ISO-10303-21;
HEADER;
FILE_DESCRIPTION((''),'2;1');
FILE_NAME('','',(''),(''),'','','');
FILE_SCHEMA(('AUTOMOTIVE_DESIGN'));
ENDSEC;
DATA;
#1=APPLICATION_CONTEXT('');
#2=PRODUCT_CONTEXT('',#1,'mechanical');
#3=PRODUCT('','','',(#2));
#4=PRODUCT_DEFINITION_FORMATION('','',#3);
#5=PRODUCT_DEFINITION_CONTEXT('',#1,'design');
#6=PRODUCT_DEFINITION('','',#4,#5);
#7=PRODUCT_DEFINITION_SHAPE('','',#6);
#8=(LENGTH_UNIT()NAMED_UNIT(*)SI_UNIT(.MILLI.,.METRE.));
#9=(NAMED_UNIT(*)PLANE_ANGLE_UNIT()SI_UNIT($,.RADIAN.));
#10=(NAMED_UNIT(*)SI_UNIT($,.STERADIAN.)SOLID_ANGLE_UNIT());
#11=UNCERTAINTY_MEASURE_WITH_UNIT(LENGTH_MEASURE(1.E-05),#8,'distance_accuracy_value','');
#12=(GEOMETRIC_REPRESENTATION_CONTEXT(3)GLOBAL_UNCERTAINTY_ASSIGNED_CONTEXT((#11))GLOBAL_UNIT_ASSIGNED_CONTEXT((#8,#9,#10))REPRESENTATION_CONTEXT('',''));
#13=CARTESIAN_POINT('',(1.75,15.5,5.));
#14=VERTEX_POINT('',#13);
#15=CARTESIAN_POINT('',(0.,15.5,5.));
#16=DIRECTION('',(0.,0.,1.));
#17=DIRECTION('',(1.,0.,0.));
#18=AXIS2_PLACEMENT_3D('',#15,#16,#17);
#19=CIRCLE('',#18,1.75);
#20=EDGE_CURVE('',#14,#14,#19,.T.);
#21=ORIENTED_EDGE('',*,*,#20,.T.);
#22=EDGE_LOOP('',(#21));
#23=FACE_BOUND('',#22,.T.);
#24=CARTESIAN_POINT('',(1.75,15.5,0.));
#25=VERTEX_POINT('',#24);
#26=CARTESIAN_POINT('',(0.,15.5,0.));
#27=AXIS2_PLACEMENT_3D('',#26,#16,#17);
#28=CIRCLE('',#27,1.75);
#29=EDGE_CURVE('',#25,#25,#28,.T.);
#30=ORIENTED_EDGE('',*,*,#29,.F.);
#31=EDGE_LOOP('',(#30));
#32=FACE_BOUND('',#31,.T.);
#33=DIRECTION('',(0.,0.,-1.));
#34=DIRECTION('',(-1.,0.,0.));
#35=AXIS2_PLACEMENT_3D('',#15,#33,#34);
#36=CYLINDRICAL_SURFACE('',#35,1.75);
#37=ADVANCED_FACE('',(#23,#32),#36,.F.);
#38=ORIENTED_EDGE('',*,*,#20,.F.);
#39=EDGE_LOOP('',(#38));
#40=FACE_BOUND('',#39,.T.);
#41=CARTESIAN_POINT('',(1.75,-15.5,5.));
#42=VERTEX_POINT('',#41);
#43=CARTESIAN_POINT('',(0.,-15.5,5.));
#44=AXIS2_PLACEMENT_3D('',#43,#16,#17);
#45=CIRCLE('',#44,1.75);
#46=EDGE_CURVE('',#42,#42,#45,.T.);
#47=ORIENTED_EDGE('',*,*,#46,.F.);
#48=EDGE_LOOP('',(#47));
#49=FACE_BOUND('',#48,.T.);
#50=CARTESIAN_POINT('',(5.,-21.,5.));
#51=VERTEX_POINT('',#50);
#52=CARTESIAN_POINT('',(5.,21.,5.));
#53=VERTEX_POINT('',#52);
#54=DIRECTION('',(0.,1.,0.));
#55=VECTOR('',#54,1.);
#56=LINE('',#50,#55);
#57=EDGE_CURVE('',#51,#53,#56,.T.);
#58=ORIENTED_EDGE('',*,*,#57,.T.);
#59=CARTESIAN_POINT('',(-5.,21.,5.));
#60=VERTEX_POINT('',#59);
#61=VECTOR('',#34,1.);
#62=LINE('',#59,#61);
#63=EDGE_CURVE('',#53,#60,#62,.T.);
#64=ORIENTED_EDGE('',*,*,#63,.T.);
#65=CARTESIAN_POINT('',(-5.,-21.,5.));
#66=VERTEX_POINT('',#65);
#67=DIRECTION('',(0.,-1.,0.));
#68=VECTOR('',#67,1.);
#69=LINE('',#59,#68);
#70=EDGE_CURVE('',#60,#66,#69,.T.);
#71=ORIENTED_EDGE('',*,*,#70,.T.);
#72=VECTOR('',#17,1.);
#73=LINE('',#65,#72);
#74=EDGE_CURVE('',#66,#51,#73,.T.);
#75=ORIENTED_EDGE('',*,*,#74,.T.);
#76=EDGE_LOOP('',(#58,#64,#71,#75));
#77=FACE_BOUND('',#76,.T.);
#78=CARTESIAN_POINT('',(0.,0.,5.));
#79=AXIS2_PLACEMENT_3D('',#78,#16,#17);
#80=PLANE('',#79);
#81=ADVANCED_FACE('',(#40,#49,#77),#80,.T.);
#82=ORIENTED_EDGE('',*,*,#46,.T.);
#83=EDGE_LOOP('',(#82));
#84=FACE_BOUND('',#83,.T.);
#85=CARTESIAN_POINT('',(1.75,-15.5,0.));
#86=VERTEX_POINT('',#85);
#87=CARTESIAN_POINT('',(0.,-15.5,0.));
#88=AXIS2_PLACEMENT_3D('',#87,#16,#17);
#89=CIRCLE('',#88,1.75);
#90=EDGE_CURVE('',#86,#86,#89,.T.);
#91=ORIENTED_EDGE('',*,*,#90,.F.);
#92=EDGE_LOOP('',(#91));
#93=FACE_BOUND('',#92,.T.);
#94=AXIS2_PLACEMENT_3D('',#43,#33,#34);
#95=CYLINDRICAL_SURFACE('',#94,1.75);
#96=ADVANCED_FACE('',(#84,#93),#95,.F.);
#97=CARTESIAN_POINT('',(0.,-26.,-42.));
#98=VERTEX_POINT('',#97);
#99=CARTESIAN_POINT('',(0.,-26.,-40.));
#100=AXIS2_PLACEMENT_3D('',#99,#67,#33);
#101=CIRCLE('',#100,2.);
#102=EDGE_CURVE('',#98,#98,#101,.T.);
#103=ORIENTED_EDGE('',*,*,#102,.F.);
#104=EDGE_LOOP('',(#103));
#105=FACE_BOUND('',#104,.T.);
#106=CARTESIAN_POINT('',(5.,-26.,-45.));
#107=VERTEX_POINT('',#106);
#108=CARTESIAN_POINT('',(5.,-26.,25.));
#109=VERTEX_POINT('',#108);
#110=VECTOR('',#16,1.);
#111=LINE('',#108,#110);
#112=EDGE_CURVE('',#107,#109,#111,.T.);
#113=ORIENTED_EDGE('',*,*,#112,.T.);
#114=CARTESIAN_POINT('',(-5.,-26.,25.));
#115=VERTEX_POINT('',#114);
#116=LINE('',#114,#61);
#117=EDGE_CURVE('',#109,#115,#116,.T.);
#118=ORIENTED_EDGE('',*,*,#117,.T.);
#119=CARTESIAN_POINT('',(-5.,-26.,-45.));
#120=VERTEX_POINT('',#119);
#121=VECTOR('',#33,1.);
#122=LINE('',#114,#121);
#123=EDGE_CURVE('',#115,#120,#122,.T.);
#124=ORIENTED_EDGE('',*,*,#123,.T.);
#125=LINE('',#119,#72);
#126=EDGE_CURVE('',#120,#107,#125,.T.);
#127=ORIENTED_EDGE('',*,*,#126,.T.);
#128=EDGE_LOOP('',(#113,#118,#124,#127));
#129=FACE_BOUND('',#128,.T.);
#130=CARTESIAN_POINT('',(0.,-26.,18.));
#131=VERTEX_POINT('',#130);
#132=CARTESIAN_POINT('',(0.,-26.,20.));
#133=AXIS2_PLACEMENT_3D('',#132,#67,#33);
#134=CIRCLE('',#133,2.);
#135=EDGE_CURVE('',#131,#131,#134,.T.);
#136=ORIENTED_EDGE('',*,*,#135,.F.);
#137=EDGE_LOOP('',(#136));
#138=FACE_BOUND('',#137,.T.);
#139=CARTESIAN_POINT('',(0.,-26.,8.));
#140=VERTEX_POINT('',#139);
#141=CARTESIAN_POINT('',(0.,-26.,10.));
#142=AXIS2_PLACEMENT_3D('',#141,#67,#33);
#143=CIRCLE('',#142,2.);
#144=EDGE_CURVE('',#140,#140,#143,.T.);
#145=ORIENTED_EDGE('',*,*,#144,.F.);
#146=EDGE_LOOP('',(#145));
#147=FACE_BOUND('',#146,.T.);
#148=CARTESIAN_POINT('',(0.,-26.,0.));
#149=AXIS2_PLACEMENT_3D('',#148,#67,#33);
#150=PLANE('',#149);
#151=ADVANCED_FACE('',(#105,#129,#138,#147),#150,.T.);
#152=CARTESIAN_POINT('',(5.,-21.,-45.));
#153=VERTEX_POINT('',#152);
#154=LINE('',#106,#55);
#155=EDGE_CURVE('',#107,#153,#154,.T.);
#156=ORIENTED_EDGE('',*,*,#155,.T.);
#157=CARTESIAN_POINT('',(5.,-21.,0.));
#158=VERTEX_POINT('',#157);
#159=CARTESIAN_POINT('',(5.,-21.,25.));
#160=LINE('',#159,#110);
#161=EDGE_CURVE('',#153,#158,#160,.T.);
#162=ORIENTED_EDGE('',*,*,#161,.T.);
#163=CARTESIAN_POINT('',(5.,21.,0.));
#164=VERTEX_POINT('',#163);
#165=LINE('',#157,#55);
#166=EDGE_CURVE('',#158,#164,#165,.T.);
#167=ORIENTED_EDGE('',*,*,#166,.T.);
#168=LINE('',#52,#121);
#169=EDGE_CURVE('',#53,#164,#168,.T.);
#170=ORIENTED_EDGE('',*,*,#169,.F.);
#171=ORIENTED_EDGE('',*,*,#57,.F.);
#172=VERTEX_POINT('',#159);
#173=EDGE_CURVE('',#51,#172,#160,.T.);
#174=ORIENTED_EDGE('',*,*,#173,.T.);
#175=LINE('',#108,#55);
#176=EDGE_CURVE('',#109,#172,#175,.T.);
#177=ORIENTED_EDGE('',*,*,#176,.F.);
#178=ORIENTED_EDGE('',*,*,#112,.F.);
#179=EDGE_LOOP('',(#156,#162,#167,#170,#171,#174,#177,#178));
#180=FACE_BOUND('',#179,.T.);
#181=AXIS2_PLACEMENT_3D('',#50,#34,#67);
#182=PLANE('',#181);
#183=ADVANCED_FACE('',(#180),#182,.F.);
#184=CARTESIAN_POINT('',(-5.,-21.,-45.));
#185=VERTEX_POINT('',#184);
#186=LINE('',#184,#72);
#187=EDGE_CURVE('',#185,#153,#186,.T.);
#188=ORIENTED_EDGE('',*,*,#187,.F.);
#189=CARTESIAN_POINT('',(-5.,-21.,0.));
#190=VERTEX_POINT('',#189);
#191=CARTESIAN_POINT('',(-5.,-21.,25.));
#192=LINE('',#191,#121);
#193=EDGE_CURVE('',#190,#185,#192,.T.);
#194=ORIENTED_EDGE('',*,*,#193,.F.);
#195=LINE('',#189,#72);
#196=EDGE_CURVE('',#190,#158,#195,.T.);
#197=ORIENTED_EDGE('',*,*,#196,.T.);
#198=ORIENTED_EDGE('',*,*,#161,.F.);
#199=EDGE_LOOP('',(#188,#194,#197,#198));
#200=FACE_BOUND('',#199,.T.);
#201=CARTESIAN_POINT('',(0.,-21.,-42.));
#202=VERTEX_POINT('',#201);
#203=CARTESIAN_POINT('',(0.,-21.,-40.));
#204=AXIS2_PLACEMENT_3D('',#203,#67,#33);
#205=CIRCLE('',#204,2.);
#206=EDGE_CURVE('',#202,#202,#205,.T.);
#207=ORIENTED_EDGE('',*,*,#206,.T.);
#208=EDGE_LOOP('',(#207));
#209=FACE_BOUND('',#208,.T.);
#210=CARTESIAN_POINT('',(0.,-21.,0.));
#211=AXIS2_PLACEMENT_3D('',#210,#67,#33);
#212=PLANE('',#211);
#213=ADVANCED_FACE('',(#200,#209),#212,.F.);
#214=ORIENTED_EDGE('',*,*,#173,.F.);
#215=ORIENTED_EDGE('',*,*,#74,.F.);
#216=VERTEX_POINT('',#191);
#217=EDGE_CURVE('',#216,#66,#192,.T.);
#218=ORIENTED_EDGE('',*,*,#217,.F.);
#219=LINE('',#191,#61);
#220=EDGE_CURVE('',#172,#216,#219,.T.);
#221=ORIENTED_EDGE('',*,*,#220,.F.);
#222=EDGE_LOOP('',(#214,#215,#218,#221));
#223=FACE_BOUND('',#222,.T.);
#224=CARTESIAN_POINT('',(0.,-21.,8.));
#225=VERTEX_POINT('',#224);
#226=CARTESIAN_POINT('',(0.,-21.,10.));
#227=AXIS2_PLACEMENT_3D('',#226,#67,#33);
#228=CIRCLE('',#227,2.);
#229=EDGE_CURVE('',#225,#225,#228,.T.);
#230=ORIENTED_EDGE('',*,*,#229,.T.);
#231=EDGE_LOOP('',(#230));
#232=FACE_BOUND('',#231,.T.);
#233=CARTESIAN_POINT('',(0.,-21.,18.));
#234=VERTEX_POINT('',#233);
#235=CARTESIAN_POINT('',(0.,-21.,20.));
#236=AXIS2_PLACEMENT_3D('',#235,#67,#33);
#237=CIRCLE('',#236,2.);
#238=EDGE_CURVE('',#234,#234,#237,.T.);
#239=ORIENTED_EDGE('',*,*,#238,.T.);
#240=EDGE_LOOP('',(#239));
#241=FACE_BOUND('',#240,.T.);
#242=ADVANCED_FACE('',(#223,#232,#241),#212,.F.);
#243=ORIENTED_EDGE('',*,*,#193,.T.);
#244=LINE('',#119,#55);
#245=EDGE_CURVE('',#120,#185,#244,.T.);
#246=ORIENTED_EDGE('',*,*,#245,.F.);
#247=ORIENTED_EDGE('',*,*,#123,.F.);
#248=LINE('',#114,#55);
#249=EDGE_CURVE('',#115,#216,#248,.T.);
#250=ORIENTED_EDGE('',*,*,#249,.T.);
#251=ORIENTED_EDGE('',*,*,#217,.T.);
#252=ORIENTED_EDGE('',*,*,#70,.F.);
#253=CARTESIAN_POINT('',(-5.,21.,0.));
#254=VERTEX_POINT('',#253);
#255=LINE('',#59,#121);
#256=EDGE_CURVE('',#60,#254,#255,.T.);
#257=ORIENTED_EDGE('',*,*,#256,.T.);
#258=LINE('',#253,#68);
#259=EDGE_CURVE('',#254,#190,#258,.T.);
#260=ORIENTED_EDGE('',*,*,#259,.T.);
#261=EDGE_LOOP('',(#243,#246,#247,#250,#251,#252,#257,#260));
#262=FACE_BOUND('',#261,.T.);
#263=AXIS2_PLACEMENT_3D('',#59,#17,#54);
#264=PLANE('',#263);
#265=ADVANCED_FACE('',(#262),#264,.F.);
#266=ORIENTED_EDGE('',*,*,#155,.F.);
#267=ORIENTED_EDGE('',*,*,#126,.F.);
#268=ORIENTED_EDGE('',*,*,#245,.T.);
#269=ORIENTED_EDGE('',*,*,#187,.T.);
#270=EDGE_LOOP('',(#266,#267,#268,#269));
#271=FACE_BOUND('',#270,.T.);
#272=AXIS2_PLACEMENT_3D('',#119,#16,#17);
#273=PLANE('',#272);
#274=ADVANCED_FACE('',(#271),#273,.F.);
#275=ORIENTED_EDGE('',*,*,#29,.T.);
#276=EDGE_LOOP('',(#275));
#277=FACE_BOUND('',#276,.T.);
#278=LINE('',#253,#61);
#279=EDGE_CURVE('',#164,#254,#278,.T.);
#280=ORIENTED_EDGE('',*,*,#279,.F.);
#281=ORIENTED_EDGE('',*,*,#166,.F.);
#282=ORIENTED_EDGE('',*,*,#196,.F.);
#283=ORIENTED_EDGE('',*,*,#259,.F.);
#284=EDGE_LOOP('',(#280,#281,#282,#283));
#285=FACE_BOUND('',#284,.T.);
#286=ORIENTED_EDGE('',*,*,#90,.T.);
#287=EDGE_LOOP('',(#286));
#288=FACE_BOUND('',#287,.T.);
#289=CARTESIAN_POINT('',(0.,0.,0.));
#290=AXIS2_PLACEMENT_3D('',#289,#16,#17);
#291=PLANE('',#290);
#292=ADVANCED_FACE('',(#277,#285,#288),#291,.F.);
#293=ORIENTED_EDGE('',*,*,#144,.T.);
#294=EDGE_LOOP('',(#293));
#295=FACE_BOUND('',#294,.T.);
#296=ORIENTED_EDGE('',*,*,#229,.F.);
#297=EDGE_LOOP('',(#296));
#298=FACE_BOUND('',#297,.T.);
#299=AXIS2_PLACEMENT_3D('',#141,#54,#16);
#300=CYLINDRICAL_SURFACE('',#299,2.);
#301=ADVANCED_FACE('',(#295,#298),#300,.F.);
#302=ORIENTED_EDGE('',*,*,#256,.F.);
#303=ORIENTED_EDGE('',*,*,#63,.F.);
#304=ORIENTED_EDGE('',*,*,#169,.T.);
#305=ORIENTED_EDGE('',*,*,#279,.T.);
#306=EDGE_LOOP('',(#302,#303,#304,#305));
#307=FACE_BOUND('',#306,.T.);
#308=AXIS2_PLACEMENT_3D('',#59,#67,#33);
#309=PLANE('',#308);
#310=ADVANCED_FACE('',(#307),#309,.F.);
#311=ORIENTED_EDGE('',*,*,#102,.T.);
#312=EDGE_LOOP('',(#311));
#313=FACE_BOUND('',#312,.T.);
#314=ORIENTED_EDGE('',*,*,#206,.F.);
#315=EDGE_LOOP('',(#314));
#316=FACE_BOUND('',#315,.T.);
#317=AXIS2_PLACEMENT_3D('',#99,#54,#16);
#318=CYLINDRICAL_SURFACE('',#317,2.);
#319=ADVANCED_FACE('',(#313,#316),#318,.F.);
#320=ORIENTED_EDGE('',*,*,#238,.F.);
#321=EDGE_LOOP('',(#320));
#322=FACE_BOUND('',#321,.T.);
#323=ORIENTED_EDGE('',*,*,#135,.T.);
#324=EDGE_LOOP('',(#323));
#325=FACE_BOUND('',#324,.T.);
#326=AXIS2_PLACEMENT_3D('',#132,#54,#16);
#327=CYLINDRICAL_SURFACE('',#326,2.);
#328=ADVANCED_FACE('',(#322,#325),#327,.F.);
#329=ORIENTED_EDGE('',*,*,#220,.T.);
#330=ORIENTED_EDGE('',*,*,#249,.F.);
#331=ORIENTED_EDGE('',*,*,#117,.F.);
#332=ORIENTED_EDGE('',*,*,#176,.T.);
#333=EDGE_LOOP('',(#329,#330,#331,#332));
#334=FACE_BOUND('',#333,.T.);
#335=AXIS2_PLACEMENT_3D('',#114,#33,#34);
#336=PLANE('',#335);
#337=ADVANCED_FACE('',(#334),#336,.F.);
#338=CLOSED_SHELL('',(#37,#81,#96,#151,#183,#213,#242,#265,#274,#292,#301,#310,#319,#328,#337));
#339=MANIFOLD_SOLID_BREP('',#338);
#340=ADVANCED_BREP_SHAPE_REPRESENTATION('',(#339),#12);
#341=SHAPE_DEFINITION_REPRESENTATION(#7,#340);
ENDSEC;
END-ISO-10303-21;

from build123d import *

# Parameters (mm, degrees)
ESBO_O1_W                = 10
ESBO_O1_H                = 42
ESBO_O1_R                = 1.75
RESSALTO_EXTRUS_O1_DEPTH = 5
ESBO_O2_W                = 10
ESBO_O2_H                = 70
ESBO_O2_R                = 2
RESSALTO_EXTRUS_O2_DEPTH = 5


with BuildPart() as part:
    # Esboço1 → Ressalto-extrusão1 (new body)
    with BuildSketch(Plane.XY):
        Rectangle(ESBO_O1_W, ESBO_O1_H)
        with Locations((0, 15.5)):
            Circle(ESBO_O1_R, mode=Mode.SUBTRACT)
        with Locations((0, -15.5)):
            Circle(ESBO_O1_R, mode=Mode.SUBTRACT)
    extrude(amount=RESSALTO_EXTRUS_O1_DEPTH)

    # Esboço2 → Ressalto-extrusão2 (add)
    with BuildSketch(Plane.XZ.offset(21)):
        with Locations((0, -10)):
            Rectangle(ESBO_O2_W, ESBO_O2_H)
        with Locations(Location((0, 20, 0), (0, 0, 270))):
            Circle(ESBO_O2_R, mode=Mode.SUBTRACT)
        with Locations(Location((0, -40, 0), (0, 0, 270))):
            Circle(ESBO_O2_R, mode=Mode.SUBTRACT)
        with Locations(Location((0, 10, 0), (0, 0, 270))):
            Circle(ESBO_O2_R, mode=Mode.SUBTRACT)
    extrude(amount=RESSALTO_EXTRUS_O2_DEPTH)


solid = part.part
